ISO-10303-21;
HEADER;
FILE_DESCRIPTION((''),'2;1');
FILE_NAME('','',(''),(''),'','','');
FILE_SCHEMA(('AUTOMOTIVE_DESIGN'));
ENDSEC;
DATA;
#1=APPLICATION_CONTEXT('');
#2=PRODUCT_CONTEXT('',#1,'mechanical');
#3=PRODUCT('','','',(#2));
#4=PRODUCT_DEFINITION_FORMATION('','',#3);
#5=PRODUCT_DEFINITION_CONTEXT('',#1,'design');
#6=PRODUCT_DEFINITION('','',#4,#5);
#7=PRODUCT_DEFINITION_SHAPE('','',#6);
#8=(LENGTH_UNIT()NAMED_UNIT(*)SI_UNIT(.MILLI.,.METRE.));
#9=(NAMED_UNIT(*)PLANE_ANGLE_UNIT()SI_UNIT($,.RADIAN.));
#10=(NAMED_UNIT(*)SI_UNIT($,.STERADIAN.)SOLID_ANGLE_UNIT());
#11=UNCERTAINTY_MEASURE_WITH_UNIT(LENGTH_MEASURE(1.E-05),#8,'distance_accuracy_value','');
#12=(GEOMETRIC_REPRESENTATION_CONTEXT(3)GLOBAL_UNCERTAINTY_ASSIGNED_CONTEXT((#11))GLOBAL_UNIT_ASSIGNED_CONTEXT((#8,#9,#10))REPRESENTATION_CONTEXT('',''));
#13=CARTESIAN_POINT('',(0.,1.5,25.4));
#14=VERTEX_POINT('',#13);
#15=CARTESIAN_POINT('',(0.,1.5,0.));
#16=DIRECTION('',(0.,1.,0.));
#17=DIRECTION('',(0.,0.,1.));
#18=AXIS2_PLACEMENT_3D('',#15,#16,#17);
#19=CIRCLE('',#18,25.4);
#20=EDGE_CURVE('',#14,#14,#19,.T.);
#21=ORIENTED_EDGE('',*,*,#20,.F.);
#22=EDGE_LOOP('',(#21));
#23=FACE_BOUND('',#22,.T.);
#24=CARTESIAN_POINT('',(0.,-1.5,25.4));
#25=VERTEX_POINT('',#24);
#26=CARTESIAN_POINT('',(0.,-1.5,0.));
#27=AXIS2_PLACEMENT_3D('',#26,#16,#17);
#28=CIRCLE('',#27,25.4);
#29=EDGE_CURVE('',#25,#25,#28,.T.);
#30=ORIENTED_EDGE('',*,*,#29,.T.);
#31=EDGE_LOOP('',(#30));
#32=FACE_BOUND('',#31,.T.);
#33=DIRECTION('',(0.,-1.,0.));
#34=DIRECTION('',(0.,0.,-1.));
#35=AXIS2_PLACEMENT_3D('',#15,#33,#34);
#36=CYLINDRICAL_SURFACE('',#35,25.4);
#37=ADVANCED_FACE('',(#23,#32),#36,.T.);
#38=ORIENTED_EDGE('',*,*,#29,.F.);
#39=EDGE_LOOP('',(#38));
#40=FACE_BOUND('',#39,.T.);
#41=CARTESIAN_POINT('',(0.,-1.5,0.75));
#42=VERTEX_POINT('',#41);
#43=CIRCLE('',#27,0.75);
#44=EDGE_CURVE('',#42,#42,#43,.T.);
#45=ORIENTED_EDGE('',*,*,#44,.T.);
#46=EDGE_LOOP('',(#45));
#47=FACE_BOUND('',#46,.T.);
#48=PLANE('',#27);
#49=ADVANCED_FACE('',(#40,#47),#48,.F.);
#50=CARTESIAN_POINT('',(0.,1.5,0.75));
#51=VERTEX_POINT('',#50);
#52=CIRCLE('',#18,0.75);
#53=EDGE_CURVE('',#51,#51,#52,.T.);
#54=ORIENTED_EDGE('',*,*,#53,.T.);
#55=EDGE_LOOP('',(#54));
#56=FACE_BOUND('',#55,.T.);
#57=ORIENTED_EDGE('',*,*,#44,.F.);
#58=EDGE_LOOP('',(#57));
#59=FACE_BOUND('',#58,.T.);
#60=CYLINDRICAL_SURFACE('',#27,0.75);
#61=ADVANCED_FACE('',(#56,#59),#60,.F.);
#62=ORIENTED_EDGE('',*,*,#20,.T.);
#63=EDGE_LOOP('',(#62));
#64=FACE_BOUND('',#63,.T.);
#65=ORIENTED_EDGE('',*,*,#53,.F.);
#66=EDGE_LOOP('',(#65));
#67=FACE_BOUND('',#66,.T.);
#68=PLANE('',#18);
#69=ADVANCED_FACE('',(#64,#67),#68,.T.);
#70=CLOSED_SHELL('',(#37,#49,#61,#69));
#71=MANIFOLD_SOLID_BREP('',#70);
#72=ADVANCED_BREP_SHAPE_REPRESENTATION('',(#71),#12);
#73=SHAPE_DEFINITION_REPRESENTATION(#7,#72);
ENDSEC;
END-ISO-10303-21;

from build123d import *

# Parameters (mm, degrees)
SKETCH1_R           = 25.4
BOSS_EXTRUDE1_DEPTH = 1.5
SKETCH2_R           = 0.75
CUT_EXTRUDE1_DEPTH  = 37.046081618


with BuildPart() as part:
    # Sketch1 → Boss-Extrude1 (new, symmetric)
    with BuildSketch(Plane(origin=(0, 0, 0), x_dir=(1, 0, 0), z_dir=(0, 1, 0))):
        with Locations(Location((0, 0, 0), (0, 0, 270))):
            Circle(SKETCH1_R)
    extrude(amount=BOSS_EXTRUDE1_DEPTH, both=True)

    # Sketch2 → Cut-Extrude1 (cut, through all)
    with BuildSketch(Plane(origin=(0, 1.5, 0), x_dir=(1, 0, 0), z_dir=(0, 1, 0))):
        with Locations(Location((0, 0, 0), (0, 0, 270))):
            Circle(SKETCH2_R)
    extrude(amount=-CUT_EXTRUDE1_DEPTH, mode=Mode.SUBTRACT)


solid = part.part
